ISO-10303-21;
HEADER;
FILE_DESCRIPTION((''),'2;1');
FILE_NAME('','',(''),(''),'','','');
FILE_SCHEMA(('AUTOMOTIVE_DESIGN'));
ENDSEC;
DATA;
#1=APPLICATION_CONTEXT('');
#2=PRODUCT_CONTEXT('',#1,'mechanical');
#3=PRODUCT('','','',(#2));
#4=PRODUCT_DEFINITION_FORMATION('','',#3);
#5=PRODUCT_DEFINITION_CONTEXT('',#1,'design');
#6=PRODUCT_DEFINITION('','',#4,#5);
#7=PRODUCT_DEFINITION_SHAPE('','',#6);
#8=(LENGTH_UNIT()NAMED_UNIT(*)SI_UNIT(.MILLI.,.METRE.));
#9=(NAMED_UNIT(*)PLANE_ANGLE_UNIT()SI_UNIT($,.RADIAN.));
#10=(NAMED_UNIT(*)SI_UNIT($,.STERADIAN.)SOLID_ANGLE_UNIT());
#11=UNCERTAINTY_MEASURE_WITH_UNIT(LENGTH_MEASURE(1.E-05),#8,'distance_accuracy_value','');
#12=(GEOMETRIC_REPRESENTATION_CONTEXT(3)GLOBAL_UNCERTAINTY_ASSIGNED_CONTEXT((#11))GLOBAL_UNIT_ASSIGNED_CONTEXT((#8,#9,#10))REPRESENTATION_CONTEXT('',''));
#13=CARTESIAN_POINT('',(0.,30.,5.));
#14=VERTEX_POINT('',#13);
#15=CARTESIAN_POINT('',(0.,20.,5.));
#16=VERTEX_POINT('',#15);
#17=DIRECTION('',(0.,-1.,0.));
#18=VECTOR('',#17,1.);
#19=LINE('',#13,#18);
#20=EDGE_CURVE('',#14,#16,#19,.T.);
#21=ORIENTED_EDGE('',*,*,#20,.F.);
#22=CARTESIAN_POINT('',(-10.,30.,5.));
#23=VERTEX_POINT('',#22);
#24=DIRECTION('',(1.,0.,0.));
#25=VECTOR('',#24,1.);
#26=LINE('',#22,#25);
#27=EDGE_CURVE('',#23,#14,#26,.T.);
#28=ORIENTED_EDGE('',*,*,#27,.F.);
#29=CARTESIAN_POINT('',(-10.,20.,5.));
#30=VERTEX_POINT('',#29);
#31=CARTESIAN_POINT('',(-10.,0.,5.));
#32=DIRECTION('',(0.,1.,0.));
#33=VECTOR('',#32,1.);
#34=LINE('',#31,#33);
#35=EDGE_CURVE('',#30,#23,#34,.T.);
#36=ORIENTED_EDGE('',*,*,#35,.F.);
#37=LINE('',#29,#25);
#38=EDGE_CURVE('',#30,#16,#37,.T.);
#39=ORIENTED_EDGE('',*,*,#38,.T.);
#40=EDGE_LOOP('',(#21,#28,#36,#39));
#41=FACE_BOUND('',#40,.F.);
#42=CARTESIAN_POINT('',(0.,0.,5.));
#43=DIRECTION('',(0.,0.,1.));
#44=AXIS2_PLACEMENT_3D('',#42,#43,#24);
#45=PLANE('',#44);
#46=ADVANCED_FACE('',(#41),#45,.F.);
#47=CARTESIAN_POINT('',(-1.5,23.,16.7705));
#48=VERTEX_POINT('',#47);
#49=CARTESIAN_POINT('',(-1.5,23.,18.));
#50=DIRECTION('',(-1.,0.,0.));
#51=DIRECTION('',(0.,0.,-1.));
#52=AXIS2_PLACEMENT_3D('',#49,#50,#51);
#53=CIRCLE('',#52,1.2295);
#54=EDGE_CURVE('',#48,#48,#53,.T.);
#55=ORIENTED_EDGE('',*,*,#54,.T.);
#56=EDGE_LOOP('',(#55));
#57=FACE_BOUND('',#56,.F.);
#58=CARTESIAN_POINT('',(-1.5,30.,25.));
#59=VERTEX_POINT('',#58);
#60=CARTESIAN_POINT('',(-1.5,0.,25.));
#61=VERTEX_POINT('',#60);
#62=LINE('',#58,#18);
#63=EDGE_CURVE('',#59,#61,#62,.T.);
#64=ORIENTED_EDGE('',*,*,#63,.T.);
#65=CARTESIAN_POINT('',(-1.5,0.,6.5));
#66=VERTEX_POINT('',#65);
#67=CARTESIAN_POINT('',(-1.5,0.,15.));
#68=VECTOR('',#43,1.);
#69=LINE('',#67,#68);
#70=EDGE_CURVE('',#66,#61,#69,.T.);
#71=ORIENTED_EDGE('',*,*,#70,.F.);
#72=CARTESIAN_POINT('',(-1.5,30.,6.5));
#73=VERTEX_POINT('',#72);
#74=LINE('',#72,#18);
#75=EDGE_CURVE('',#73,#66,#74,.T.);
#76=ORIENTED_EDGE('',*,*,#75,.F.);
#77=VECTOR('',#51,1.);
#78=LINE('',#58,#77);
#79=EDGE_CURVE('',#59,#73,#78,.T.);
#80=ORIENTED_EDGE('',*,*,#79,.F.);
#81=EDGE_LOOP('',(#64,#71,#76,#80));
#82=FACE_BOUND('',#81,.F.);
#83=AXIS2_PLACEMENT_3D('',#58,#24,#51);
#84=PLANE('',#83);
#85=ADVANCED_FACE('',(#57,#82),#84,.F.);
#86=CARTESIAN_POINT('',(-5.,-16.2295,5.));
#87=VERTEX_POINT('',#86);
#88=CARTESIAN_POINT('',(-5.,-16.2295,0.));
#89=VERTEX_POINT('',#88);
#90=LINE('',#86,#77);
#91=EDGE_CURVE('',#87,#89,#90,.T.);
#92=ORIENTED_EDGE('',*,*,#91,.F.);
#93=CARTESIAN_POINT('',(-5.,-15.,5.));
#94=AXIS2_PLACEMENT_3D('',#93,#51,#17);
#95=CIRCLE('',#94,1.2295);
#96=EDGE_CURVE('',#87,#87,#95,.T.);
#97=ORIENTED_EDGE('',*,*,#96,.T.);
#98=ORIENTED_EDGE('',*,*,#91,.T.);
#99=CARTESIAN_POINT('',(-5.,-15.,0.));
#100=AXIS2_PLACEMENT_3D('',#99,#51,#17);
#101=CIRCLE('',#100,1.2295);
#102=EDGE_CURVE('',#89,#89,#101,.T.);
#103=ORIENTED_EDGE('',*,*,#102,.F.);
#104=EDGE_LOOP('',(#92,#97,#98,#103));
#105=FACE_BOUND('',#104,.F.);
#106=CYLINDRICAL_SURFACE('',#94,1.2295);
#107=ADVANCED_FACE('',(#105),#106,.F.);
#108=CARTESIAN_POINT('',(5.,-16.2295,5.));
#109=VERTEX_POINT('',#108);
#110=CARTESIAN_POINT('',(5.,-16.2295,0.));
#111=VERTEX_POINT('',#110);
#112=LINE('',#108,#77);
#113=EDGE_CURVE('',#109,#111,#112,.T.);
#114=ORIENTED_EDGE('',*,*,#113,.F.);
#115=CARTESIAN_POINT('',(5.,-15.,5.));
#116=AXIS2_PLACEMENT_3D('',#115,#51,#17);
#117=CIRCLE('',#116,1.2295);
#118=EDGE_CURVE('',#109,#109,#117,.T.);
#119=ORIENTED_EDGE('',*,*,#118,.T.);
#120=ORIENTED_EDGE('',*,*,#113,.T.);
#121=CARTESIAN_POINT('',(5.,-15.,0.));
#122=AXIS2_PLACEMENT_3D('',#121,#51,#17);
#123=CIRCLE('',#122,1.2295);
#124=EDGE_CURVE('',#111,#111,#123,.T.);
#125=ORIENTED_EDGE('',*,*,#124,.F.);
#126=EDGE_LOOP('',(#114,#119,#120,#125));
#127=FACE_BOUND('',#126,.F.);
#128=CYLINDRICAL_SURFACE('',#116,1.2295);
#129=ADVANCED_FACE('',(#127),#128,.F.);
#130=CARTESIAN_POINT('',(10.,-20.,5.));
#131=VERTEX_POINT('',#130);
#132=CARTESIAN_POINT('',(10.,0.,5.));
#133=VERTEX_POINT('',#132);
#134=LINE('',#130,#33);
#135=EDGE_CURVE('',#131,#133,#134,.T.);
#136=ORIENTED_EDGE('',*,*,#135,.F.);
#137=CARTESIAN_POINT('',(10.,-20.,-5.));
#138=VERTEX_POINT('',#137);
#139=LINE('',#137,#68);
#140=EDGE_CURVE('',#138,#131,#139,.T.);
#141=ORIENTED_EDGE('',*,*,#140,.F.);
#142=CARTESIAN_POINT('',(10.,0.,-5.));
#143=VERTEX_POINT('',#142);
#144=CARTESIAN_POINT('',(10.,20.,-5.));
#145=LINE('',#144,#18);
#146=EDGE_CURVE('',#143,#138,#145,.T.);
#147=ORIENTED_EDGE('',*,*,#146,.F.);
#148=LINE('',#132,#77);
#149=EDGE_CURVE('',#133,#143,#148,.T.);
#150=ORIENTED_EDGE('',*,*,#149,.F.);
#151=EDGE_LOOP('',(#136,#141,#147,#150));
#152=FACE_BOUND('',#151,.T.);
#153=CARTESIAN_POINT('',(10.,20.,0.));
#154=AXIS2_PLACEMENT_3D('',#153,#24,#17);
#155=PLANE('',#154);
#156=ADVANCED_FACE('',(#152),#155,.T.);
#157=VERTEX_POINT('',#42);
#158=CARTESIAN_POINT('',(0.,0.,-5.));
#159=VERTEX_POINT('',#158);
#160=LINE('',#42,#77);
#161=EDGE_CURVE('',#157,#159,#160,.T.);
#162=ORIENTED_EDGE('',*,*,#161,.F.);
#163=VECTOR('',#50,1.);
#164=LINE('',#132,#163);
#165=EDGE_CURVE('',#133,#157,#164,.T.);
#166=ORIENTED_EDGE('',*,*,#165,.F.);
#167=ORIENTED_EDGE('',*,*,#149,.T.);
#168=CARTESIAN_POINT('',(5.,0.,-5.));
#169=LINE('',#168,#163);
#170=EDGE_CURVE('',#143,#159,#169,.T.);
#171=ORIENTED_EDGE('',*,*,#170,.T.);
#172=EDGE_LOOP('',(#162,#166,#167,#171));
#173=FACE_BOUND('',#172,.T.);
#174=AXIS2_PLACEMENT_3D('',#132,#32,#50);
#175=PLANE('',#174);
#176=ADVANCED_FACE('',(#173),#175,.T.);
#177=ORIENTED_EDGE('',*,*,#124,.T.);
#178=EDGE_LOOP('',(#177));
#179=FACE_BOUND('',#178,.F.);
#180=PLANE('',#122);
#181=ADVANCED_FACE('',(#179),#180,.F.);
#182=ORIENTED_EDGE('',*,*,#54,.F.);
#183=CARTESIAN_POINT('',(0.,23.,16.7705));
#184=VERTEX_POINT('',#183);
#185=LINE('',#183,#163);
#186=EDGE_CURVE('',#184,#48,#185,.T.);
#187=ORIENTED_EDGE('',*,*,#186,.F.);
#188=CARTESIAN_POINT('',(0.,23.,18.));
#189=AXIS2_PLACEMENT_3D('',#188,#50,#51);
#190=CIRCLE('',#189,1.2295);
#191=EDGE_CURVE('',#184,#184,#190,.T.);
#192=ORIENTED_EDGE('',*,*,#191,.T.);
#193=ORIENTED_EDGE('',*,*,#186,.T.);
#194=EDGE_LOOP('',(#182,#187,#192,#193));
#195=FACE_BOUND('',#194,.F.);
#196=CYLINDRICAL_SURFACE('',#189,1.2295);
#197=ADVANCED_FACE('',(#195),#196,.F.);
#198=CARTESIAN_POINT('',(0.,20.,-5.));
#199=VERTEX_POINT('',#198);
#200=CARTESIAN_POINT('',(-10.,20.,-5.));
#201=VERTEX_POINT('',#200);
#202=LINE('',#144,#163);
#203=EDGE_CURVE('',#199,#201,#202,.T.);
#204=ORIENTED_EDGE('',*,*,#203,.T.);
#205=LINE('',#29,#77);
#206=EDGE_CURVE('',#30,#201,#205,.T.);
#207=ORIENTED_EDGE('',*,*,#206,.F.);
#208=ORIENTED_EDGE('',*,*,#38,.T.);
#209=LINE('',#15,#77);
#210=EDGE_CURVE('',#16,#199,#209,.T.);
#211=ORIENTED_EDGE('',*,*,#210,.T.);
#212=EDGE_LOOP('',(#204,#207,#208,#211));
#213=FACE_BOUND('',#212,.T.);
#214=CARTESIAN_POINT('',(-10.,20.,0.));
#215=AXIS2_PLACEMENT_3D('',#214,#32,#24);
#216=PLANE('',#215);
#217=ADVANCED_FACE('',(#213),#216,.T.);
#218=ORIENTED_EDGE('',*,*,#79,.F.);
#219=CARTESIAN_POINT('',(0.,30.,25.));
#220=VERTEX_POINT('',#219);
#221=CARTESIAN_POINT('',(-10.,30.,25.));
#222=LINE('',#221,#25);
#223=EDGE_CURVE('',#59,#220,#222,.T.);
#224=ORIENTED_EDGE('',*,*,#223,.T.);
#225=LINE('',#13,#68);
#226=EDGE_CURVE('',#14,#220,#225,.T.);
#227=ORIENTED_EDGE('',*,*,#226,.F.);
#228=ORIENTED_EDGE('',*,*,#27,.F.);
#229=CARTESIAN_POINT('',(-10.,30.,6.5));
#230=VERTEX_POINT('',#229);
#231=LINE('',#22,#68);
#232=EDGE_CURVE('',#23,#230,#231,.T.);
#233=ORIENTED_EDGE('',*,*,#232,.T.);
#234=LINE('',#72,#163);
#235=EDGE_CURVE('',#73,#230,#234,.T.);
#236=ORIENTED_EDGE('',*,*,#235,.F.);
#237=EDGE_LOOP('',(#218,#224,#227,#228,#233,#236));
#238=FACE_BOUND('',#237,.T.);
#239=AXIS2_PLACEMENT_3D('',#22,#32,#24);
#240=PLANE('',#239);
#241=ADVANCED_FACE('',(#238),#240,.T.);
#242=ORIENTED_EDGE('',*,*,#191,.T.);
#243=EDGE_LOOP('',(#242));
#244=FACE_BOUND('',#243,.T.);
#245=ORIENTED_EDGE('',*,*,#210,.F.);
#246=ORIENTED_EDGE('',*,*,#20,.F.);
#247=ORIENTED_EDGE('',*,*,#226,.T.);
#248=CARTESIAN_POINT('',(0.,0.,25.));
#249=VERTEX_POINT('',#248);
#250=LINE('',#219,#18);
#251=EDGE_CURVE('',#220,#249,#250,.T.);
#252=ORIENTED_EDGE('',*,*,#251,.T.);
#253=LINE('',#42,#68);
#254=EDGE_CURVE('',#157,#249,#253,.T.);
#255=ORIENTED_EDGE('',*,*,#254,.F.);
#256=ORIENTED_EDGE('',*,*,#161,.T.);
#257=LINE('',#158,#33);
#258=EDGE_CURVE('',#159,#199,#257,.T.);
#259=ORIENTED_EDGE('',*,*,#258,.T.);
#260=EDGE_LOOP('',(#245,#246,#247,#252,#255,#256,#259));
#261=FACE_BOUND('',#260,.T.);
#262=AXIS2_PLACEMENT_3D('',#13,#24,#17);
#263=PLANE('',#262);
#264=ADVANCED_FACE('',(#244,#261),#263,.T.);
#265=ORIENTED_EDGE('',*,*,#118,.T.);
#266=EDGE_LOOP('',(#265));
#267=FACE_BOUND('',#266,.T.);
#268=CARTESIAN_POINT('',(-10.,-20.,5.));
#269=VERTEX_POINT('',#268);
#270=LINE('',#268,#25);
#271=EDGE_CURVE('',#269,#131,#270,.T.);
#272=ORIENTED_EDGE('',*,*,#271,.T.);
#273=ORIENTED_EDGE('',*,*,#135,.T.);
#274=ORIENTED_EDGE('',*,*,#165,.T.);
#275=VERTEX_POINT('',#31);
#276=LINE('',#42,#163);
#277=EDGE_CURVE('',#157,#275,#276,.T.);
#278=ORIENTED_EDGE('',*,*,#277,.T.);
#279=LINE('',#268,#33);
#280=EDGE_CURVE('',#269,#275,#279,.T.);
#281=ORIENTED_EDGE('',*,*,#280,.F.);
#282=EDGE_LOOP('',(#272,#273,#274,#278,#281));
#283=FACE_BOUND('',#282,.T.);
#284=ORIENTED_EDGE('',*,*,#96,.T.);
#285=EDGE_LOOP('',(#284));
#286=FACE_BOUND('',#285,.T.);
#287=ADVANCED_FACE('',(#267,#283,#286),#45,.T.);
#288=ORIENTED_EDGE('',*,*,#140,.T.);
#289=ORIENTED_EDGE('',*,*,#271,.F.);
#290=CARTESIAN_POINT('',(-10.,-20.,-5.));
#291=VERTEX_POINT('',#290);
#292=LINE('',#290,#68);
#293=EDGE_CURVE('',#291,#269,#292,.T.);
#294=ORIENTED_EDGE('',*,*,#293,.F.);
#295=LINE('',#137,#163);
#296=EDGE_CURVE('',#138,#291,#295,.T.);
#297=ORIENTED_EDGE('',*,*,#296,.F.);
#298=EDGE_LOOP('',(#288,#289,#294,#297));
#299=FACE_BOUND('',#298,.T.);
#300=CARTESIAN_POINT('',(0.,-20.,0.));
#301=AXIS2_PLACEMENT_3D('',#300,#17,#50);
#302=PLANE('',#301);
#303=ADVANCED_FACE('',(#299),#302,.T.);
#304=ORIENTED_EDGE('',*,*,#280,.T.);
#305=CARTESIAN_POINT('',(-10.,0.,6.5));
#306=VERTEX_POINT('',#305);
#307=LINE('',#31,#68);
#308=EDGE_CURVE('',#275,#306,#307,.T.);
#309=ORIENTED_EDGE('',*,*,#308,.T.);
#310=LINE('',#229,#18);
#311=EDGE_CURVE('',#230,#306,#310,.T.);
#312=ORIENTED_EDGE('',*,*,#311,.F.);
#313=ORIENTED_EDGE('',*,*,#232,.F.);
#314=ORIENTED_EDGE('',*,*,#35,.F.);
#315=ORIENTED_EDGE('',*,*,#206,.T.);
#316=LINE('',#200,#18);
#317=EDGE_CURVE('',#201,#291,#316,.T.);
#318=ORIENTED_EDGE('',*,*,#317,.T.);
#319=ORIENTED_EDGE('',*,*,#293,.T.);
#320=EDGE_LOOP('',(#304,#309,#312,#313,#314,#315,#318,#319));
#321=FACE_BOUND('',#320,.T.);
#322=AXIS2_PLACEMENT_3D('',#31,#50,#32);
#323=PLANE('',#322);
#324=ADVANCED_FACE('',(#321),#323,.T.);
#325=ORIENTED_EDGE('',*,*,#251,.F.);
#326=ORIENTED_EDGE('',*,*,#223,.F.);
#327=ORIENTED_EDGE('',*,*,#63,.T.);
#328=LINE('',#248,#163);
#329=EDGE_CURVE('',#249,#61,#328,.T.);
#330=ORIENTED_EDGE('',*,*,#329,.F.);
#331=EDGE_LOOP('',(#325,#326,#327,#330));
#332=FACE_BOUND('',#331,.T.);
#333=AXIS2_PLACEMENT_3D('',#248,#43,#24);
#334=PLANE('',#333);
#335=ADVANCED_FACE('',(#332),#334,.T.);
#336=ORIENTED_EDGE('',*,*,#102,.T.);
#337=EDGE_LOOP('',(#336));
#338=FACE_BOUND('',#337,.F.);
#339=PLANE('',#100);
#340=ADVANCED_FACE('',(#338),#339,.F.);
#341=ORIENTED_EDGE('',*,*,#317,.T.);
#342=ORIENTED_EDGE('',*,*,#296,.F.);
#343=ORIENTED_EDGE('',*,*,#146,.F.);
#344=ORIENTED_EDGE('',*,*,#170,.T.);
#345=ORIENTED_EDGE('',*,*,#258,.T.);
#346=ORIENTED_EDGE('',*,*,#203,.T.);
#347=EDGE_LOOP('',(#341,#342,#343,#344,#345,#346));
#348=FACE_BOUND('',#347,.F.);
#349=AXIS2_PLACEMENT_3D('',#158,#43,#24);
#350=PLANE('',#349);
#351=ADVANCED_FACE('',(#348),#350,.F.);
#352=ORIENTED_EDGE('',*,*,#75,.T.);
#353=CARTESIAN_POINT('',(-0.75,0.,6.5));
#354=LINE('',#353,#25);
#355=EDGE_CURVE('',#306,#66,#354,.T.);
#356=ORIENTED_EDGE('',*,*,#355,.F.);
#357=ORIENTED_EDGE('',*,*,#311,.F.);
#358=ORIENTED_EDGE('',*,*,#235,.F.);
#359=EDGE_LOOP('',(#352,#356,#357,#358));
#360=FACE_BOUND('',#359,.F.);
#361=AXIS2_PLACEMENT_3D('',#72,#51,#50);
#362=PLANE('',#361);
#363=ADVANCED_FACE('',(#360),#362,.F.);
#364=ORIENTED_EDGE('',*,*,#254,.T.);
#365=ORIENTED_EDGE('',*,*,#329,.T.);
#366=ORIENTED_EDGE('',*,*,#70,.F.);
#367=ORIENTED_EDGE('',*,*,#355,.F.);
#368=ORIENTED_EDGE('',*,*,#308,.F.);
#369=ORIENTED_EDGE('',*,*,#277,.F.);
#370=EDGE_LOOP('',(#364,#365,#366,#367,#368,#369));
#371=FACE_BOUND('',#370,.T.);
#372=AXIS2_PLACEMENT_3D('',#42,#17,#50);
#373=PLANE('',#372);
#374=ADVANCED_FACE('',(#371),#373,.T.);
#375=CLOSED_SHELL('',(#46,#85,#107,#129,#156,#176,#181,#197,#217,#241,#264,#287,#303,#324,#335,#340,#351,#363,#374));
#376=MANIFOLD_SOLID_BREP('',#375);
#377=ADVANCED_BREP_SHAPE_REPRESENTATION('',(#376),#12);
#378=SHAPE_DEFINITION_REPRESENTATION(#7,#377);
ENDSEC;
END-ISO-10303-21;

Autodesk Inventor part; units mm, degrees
ref_plane "YZ Plane" through (0, 0, 0) normal (1, 0, 0) x (0, 1, 0)
ref_plane "XZ Plane" through (0, 0, 0) normal (0, 1, 0) x (-1, 0, 0)
ref_plane "XY Plane" through (0, 0, 0) normal (0, 0, 1) x (1, 0, 0)
sketch "Náčrt1" plane through (0, 0, 0) normal (0, 0, 1) x (1, 0, 0)
  line L0 (-14, 0) -> (14, 0) projected
  line L1 (0, 28) -> (0, -28) projected
  line L2 (-10, 20) -> (10, 20)
  line L3 (10, 20) -> (10, -20)
  line L4 (10, -20) -> (-10, -20)
  line L5 (-10, -20) -> (-10, 20)
  point P0 (0, 0)
  dimension "d0" = 20
  dimension "d1" = 40
extrude "Vysunutí1" add sketch "Náčrt1" along normal mid plane 10
sketch "Náčrt2" plane through (0, 0, 5) normal (0, 0, 1) x (1, 0, 0)
  line L0 (-10, -20) -> (10, -20) projected
  line L1 (10, -20) -> (10, 20) projected
  line L2 (10, 20) -> (-10, 20) projected
  line L3 (-10, 20) -> (-10, -20) projected
  line L4 (10, -20) -> (10, 20) projected
  line L5 (0, 20) -> (10, 20)
  line L6 (10, 20) -> (10, 0)
  line L7 (10, 0) -> (0, 0)
  line L8 (0, 0) -> (0, 20)
  point P0 (0, 0)
extrude "Vysunutí2" cut sketch "Náčrt2" against normal through all contours L7 L8 L2 L1
sketch "Náčrt3" plane through (0, 0, 5) normal (0, 0, 1) x (1, 0, 0)
  line L0 (10, -20) -> (10, 0) projected
  line L1 (-10, -20) -> (10, -20) projected
  point P0 (0, 0)
  point P1 (-5, -15)
  point P2 (5, -15)
  dimension "d6" = 5
  dimension "d7" = 10
  dimension "d8" = 5
  dimension "d9" = 5
hole "Díra1" at (-5, -15, 5) at (5, -15, 5) direction (0, 0, -1) diameter 2.459 depth 5 thread size "M3x0.5" class "6H" standard "ISO Metric profile"
sketch "Náčrt4" plane through (0, 0, 5) normal (0, 0, 1) x (1, 0, 0)
  line L0 (0, 0) -> (-10, 0)
  line L1 (-10, 0) -> (-10, 30)
  line L2 (-10, 30) -> (0, 30)
  line L3 (0, 30) -> (0, 0)
  dimension "d17" = 10
  dimension "d18" = 30
extrude "Vysunutí3" add sketch "Náčrt4" along normal blind 20
sketch "Náčrt5" plane through (-10, 30, 5) normal (0, 1, 0) x (1, 0, 0)
  line L0 (0, -20) -> (10, -20) projected
  line L1 (0, -20) -> (8.5, -20)
  line L2 (8.5, -20) -> (8.5, -1.5)
  line L3 (8.5, -1.5) -> (0, -1.5)
  line L4 (0, -1.5) -> (0, -20)
  point P0 (10, 5)
  dimension "d21" = 8.5
  dimension "d22" = 18.5
extrude "Vysunutí4" cut sketch "Náčrt5" against normal through all
sketch "Náčrt6" plane through (0, 0, -5) normal (1, 0, 0) x (0, 0, -1)
  line L0 (0, 20) -> (0, 0) projected
  line L1 (-10, 20) -> (0, 20) projected
  line L2 (-10, 20) -> (-10, 30) projected
  line L3 (-10, 30) -> (-30, 30) projected
  line L4 (-30, 0) -> (-30, 30) projected
  line L5 (-10, 0) -> (-30, 0) projected
  line L6 (-10, 0) -> (0, 0) projected
  point P0 (-5, 0)
  point P1 (-23, 23)
  dimension "d25" = 7
  dimension "d26" = 7
hole "Díra2" at (0, 23, 18) direction (-1, 0, 0) diameter 2.459 end through all thread size "M3x0.5" class "6H" standard "ISO Metric profile"
properties part number "x_bearing_tab" material "Hliník 6061"
